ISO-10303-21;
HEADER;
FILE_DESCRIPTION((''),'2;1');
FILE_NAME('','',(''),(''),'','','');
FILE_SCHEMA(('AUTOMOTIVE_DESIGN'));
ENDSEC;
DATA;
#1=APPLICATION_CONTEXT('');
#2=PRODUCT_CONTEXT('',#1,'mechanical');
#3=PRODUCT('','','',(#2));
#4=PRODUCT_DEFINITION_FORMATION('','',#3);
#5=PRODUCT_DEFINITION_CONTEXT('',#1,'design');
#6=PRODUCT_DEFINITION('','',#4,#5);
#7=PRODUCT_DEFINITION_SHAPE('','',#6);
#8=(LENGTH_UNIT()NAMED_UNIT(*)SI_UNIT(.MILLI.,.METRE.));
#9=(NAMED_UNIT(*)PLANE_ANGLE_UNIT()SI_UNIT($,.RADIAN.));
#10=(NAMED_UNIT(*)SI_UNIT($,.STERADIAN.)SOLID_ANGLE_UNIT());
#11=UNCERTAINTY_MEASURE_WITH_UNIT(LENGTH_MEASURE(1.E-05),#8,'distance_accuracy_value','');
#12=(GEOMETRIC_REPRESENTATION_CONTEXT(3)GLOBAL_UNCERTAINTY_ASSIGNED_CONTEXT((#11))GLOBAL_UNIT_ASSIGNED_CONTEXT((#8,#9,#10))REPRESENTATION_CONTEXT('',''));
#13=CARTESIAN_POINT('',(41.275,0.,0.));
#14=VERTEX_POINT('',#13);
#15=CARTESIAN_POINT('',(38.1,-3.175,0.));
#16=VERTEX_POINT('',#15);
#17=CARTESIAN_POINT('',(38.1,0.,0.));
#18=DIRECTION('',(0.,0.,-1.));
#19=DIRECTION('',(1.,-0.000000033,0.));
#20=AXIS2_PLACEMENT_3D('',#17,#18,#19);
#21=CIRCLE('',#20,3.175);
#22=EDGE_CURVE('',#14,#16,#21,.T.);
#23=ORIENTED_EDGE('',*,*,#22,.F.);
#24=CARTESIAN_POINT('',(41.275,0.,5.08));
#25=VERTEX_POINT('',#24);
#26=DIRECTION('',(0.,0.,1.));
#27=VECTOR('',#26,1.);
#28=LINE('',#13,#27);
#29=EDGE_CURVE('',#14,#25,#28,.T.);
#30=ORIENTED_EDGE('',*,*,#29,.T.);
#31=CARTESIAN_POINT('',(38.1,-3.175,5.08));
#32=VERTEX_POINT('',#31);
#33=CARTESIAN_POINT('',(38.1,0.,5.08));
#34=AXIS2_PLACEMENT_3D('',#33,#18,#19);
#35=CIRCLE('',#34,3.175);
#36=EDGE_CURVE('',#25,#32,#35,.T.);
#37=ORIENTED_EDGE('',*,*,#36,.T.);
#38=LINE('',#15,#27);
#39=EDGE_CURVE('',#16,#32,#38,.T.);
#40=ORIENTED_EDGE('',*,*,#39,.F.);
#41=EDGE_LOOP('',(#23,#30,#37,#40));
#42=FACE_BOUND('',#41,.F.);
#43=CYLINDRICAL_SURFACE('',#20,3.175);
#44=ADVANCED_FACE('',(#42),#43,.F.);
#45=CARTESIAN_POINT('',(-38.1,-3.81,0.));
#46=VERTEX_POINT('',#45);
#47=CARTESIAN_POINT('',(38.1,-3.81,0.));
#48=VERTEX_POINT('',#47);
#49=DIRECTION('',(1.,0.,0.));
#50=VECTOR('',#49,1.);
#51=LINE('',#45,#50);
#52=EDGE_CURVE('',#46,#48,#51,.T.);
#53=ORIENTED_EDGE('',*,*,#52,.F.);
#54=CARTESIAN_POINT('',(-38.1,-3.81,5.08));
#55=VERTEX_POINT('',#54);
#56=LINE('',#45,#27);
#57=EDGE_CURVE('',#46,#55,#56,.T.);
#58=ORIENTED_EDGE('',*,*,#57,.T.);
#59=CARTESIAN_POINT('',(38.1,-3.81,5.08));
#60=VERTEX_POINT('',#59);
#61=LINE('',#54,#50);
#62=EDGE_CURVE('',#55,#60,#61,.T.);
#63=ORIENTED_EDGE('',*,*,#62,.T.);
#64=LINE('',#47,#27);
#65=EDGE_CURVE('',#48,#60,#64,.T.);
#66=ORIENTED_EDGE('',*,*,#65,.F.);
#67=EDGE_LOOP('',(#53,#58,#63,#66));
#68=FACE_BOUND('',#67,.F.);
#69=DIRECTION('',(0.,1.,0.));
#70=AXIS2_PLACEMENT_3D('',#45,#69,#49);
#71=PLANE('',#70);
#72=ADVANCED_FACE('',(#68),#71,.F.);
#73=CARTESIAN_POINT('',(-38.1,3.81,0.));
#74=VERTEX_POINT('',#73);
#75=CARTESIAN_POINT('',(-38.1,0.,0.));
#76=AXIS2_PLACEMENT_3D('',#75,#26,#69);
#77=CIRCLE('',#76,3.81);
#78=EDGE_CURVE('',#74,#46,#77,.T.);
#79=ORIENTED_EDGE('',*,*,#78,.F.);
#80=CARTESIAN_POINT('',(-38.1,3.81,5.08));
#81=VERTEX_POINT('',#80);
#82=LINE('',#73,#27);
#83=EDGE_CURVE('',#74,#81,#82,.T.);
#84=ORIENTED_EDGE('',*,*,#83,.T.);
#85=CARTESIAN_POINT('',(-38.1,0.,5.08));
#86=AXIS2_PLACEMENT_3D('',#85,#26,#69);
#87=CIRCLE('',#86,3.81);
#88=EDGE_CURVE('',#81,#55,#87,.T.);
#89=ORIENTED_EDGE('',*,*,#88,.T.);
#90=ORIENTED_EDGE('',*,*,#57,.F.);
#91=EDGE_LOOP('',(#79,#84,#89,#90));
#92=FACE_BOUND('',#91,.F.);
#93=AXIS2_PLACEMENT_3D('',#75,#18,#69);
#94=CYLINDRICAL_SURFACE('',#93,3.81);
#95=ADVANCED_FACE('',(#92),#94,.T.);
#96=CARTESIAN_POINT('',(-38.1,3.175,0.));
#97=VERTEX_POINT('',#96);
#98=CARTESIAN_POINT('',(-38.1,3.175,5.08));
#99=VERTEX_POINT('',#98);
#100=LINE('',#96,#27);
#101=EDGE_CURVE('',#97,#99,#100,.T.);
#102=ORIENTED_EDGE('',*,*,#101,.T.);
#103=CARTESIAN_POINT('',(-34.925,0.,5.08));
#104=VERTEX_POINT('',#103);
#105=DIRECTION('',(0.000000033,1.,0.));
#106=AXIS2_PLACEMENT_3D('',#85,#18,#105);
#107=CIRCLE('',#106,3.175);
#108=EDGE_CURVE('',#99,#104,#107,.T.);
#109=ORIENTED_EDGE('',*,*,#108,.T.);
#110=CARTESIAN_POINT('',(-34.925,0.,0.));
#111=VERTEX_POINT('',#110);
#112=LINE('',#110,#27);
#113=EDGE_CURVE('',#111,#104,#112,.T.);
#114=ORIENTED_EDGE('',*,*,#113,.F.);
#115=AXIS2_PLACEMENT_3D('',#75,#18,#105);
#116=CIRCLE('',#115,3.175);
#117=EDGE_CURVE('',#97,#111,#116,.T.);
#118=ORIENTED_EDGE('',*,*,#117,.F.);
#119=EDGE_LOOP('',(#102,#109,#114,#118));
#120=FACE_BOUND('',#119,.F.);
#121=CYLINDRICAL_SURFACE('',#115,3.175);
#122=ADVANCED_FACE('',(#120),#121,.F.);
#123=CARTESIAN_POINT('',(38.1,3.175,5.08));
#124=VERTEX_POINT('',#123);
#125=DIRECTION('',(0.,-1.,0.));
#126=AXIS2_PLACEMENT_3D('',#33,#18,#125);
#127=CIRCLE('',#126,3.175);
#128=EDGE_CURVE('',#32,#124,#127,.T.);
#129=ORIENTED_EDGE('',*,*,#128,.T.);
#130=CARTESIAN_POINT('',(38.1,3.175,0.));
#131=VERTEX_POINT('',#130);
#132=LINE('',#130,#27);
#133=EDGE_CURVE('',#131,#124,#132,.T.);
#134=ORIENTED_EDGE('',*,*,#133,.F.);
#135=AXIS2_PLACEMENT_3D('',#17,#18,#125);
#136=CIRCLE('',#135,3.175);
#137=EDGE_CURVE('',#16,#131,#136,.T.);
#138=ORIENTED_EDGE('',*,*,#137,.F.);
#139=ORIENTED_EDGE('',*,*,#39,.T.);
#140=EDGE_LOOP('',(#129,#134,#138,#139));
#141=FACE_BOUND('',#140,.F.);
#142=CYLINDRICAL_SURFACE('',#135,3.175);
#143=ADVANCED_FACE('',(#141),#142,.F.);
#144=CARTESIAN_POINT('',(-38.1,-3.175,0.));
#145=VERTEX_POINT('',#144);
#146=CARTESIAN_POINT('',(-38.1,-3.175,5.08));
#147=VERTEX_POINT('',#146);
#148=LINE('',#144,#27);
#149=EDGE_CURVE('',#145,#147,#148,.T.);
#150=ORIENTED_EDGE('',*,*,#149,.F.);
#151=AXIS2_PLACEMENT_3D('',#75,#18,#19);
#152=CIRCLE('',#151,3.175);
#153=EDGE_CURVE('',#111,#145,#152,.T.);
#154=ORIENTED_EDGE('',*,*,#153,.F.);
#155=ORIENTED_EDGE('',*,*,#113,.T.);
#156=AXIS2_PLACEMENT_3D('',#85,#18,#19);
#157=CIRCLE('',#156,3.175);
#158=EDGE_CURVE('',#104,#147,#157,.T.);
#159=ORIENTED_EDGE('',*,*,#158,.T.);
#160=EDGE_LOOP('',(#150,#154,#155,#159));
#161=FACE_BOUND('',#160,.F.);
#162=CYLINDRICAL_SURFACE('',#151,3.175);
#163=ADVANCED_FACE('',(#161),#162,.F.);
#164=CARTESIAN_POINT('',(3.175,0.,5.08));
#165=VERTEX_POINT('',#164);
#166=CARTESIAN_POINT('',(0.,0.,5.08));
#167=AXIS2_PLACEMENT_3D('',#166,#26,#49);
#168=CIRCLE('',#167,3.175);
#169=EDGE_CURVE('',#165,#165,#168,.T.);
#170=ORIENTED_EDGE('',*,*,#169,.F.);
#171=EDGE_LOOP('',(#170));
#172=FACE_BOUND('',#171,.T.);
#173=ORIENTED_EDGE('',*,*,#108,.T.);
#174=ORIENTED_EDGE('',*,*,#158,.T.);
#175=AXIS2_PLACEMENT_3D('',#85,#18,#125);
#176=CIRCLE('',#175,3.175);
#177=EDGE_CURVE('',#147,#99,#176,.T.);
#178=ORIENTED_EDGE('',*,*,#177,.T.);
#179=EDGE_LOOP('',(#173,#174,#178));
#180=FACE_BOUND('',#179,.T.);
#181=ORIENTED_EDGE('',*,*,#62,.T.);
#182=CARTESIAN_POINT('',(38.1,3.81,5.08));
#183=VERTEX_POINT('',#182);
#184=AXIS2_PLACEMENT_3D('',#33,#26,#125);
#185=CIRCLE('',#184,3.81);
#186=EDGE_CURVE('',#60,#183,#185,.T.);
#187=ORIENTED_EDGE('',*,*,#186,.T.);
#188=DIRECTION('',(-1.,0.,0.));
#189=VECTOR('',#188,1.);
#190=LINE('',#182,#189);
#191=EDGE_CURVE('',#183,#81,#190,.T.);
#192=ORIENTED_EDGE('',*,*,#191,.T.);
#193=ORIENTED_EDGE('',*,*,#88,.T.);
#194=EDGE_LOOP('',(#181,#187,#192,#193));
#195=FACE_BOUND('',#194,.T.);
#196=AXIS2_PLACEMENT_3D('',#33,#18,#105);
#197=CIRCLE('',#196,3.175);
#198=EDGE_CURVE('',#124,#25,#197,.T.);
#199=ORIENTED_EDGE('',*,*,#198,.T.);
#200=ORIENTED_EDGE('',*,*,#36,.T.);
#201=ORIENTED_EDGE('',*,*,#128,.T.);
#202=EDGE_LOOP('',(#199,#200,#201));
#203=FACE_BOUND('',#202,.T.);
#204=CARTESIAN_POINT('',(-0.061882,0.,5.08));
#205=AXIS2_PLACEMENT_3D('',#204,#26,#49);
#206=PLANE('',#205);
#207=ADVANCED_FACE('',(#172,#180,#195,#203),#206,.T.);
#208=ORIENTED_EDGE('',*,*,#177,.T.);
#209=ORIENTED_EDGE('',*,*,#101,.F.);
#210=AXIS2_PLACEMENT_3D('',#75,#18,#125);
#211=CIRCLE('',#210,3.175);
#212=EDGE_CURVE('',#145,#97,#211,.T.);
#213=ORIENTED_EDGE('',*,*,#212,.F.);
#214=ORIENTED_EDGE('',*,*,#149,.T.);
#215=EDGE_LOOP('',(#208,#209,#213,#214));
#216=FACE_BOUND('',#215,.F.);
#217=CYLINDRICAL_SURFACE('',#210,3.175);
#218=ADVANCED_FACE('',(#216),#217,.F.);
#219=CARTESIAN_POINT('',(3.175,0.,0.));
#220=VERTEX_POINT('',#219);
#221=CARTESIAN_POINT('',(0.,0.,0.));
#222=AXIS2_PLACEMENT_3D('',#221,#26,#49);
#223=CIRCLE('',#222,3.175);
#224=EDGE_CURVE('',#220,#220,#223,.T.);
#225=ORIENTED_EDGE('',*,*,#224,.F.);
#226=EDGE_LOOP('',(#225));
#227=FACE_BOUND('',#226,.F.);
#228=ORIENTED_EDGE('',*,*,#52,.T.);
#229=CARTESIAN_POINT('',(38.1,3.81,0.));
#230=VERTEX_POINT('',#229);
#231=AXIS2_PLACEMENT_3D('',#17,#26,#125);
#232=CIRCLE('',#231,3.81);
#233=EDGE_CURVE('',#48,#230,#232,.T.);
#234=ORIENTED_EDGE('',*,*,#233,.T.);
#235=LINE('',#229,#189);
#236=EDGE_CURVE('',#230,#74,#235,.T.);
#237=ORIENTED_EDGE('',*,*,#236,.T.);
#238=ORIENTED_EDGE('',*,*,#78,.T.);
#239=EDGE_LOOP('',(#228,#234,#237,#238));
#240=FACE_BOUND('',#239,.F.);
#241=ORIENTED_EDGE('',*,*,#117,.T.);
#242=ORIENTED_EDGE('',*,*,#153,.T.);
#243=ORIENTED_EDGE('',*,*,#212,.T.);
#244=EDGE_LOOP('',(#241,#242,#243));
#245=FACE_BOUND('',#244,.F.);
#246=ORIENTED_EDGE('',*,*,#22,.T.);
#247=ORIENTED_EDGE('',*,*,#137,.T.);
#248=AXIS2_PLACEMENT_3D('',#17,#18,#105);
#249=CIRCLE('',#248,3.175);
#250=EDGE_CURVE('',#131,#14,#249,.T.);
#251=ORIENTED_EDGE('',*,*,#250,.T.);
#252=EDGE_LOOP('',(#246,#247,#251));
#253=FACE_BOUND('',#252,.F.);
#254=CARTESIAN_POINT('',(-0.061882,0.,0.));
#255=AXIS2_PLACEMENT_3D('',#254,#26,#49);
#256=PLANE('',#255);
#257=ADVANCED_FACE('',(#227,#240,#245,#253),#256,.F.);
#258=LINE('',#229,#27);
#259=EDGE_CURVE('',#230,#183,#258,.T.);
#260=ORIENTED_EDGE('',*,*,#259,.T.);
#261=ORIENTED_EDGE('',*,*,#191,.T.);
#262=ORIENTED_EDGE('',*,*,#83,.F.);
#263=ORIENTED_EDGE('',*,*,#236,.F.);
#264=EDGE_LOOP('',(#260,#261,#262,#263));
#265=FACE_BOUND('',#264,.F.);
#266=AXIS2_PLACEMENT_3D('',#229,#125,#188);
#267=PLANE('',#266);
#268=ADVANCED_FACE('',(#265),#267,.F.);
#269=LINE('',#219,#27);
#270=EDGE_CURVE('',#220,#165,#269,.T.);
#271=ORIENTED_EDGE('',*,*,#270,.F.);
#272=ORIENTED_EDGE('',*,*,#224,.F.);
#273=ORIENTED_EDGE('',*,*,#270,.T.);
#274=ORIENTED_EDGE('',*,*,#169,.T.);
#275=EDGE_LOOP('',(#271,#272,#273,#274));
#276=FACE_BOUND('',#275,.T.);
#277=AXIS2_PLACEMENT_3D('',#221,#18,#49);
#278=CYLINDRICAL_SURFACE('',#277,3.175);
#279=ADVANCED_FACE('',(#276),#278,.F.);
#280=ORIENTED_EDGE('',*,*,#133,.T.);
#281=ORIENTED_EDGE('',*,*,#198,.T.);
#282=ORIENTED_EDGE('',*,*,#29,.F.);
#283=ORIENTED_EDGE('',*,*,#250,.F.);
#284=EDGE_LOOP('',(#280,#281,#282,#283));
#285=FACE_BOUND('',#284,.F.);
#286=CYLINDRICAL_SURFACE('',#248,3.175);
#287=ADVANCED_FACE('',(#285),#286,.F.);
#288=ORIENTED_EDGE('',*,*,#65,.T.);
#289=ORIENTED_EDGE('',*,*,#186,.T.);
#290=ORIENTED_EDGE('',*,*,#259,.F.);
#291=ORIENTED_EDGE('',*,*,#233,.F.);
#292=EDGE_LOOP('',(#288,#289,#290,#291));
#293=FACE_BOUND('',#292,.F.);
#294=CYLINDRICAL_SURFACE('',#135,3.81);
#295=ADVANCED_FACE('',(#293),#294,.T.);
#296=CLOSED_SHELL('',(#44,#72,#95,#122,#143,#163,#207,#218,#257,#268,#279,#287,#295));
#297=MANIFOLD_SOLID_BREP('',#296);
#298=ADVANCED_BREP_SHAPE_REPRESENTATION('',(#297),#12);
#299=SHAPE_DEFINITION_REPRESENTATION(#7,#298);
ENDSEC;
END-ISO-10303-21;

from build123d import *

# Parameters (mm, degrees)
F0_R     = 3.175
F1_DEPTH = 5.08


with BuildPart() as f1:
    # F0 (on Top) → F1 (new body)
    with BuildSketch(Plane.XY):
        with BuildLine():
            Line((-38.1, -3.81), (38.1, -3.81))
            Line((38.1, -3.81), (38.1, -3.175))
            ThreePointArc((38.1, -3.175), (34.925, 0), (38.1, 3.175))
            Line((38.1, 3.175), (38.1, 3.81))
            Line((38.1, 3.81), (-38.1, 3.81))
            Line((-38.1, 3.81), (-38.1, 3.175))
            ThreePointArc((-38.1, 3.175), (-35.854936, 2.245064), (-34.925, 0))
            ThreePointArc((-34.925, 0), (-35.854936, -2.245064), (-38.1, -3.175))
            Line((-38.1, -3.175), (-38.1, -3.81))
        make_face()
        Circle(F0_R, mode=Mode.SUBTRACT)
        with BuildLine():
            Line((38.1, -3.175), (38.1, -3.81))
            ThreePointArc((38.1, -3.81), (41.91, 0), (38.1, 3.81))
            Line((38.1, 3.81), (38.1, 3.175))
            ThreePointArc((38.1, 3.175), (40.345064, 2.245064), (41.275, 0))
            ThreePointArc((41.275, 0), (40.345064, -2.245064), (38.1, -3.175))
        make_face()
        with BuildLine():
            ThreePointArc((-38.1, 3.81), (-41.91, 0), (-38.1, -3.81))
            Line((-38.1, -3.81), (-38.1, -3.175))
            ThreePointArc((-38.1, -3.175), (-41.275, 0), (-38.1, 3.175))
            Line((-38.1, 3.175), (-38.1, 3.81))
        make_face()
    extrude(amount=F1_DEPTH)


solid = f1.part
